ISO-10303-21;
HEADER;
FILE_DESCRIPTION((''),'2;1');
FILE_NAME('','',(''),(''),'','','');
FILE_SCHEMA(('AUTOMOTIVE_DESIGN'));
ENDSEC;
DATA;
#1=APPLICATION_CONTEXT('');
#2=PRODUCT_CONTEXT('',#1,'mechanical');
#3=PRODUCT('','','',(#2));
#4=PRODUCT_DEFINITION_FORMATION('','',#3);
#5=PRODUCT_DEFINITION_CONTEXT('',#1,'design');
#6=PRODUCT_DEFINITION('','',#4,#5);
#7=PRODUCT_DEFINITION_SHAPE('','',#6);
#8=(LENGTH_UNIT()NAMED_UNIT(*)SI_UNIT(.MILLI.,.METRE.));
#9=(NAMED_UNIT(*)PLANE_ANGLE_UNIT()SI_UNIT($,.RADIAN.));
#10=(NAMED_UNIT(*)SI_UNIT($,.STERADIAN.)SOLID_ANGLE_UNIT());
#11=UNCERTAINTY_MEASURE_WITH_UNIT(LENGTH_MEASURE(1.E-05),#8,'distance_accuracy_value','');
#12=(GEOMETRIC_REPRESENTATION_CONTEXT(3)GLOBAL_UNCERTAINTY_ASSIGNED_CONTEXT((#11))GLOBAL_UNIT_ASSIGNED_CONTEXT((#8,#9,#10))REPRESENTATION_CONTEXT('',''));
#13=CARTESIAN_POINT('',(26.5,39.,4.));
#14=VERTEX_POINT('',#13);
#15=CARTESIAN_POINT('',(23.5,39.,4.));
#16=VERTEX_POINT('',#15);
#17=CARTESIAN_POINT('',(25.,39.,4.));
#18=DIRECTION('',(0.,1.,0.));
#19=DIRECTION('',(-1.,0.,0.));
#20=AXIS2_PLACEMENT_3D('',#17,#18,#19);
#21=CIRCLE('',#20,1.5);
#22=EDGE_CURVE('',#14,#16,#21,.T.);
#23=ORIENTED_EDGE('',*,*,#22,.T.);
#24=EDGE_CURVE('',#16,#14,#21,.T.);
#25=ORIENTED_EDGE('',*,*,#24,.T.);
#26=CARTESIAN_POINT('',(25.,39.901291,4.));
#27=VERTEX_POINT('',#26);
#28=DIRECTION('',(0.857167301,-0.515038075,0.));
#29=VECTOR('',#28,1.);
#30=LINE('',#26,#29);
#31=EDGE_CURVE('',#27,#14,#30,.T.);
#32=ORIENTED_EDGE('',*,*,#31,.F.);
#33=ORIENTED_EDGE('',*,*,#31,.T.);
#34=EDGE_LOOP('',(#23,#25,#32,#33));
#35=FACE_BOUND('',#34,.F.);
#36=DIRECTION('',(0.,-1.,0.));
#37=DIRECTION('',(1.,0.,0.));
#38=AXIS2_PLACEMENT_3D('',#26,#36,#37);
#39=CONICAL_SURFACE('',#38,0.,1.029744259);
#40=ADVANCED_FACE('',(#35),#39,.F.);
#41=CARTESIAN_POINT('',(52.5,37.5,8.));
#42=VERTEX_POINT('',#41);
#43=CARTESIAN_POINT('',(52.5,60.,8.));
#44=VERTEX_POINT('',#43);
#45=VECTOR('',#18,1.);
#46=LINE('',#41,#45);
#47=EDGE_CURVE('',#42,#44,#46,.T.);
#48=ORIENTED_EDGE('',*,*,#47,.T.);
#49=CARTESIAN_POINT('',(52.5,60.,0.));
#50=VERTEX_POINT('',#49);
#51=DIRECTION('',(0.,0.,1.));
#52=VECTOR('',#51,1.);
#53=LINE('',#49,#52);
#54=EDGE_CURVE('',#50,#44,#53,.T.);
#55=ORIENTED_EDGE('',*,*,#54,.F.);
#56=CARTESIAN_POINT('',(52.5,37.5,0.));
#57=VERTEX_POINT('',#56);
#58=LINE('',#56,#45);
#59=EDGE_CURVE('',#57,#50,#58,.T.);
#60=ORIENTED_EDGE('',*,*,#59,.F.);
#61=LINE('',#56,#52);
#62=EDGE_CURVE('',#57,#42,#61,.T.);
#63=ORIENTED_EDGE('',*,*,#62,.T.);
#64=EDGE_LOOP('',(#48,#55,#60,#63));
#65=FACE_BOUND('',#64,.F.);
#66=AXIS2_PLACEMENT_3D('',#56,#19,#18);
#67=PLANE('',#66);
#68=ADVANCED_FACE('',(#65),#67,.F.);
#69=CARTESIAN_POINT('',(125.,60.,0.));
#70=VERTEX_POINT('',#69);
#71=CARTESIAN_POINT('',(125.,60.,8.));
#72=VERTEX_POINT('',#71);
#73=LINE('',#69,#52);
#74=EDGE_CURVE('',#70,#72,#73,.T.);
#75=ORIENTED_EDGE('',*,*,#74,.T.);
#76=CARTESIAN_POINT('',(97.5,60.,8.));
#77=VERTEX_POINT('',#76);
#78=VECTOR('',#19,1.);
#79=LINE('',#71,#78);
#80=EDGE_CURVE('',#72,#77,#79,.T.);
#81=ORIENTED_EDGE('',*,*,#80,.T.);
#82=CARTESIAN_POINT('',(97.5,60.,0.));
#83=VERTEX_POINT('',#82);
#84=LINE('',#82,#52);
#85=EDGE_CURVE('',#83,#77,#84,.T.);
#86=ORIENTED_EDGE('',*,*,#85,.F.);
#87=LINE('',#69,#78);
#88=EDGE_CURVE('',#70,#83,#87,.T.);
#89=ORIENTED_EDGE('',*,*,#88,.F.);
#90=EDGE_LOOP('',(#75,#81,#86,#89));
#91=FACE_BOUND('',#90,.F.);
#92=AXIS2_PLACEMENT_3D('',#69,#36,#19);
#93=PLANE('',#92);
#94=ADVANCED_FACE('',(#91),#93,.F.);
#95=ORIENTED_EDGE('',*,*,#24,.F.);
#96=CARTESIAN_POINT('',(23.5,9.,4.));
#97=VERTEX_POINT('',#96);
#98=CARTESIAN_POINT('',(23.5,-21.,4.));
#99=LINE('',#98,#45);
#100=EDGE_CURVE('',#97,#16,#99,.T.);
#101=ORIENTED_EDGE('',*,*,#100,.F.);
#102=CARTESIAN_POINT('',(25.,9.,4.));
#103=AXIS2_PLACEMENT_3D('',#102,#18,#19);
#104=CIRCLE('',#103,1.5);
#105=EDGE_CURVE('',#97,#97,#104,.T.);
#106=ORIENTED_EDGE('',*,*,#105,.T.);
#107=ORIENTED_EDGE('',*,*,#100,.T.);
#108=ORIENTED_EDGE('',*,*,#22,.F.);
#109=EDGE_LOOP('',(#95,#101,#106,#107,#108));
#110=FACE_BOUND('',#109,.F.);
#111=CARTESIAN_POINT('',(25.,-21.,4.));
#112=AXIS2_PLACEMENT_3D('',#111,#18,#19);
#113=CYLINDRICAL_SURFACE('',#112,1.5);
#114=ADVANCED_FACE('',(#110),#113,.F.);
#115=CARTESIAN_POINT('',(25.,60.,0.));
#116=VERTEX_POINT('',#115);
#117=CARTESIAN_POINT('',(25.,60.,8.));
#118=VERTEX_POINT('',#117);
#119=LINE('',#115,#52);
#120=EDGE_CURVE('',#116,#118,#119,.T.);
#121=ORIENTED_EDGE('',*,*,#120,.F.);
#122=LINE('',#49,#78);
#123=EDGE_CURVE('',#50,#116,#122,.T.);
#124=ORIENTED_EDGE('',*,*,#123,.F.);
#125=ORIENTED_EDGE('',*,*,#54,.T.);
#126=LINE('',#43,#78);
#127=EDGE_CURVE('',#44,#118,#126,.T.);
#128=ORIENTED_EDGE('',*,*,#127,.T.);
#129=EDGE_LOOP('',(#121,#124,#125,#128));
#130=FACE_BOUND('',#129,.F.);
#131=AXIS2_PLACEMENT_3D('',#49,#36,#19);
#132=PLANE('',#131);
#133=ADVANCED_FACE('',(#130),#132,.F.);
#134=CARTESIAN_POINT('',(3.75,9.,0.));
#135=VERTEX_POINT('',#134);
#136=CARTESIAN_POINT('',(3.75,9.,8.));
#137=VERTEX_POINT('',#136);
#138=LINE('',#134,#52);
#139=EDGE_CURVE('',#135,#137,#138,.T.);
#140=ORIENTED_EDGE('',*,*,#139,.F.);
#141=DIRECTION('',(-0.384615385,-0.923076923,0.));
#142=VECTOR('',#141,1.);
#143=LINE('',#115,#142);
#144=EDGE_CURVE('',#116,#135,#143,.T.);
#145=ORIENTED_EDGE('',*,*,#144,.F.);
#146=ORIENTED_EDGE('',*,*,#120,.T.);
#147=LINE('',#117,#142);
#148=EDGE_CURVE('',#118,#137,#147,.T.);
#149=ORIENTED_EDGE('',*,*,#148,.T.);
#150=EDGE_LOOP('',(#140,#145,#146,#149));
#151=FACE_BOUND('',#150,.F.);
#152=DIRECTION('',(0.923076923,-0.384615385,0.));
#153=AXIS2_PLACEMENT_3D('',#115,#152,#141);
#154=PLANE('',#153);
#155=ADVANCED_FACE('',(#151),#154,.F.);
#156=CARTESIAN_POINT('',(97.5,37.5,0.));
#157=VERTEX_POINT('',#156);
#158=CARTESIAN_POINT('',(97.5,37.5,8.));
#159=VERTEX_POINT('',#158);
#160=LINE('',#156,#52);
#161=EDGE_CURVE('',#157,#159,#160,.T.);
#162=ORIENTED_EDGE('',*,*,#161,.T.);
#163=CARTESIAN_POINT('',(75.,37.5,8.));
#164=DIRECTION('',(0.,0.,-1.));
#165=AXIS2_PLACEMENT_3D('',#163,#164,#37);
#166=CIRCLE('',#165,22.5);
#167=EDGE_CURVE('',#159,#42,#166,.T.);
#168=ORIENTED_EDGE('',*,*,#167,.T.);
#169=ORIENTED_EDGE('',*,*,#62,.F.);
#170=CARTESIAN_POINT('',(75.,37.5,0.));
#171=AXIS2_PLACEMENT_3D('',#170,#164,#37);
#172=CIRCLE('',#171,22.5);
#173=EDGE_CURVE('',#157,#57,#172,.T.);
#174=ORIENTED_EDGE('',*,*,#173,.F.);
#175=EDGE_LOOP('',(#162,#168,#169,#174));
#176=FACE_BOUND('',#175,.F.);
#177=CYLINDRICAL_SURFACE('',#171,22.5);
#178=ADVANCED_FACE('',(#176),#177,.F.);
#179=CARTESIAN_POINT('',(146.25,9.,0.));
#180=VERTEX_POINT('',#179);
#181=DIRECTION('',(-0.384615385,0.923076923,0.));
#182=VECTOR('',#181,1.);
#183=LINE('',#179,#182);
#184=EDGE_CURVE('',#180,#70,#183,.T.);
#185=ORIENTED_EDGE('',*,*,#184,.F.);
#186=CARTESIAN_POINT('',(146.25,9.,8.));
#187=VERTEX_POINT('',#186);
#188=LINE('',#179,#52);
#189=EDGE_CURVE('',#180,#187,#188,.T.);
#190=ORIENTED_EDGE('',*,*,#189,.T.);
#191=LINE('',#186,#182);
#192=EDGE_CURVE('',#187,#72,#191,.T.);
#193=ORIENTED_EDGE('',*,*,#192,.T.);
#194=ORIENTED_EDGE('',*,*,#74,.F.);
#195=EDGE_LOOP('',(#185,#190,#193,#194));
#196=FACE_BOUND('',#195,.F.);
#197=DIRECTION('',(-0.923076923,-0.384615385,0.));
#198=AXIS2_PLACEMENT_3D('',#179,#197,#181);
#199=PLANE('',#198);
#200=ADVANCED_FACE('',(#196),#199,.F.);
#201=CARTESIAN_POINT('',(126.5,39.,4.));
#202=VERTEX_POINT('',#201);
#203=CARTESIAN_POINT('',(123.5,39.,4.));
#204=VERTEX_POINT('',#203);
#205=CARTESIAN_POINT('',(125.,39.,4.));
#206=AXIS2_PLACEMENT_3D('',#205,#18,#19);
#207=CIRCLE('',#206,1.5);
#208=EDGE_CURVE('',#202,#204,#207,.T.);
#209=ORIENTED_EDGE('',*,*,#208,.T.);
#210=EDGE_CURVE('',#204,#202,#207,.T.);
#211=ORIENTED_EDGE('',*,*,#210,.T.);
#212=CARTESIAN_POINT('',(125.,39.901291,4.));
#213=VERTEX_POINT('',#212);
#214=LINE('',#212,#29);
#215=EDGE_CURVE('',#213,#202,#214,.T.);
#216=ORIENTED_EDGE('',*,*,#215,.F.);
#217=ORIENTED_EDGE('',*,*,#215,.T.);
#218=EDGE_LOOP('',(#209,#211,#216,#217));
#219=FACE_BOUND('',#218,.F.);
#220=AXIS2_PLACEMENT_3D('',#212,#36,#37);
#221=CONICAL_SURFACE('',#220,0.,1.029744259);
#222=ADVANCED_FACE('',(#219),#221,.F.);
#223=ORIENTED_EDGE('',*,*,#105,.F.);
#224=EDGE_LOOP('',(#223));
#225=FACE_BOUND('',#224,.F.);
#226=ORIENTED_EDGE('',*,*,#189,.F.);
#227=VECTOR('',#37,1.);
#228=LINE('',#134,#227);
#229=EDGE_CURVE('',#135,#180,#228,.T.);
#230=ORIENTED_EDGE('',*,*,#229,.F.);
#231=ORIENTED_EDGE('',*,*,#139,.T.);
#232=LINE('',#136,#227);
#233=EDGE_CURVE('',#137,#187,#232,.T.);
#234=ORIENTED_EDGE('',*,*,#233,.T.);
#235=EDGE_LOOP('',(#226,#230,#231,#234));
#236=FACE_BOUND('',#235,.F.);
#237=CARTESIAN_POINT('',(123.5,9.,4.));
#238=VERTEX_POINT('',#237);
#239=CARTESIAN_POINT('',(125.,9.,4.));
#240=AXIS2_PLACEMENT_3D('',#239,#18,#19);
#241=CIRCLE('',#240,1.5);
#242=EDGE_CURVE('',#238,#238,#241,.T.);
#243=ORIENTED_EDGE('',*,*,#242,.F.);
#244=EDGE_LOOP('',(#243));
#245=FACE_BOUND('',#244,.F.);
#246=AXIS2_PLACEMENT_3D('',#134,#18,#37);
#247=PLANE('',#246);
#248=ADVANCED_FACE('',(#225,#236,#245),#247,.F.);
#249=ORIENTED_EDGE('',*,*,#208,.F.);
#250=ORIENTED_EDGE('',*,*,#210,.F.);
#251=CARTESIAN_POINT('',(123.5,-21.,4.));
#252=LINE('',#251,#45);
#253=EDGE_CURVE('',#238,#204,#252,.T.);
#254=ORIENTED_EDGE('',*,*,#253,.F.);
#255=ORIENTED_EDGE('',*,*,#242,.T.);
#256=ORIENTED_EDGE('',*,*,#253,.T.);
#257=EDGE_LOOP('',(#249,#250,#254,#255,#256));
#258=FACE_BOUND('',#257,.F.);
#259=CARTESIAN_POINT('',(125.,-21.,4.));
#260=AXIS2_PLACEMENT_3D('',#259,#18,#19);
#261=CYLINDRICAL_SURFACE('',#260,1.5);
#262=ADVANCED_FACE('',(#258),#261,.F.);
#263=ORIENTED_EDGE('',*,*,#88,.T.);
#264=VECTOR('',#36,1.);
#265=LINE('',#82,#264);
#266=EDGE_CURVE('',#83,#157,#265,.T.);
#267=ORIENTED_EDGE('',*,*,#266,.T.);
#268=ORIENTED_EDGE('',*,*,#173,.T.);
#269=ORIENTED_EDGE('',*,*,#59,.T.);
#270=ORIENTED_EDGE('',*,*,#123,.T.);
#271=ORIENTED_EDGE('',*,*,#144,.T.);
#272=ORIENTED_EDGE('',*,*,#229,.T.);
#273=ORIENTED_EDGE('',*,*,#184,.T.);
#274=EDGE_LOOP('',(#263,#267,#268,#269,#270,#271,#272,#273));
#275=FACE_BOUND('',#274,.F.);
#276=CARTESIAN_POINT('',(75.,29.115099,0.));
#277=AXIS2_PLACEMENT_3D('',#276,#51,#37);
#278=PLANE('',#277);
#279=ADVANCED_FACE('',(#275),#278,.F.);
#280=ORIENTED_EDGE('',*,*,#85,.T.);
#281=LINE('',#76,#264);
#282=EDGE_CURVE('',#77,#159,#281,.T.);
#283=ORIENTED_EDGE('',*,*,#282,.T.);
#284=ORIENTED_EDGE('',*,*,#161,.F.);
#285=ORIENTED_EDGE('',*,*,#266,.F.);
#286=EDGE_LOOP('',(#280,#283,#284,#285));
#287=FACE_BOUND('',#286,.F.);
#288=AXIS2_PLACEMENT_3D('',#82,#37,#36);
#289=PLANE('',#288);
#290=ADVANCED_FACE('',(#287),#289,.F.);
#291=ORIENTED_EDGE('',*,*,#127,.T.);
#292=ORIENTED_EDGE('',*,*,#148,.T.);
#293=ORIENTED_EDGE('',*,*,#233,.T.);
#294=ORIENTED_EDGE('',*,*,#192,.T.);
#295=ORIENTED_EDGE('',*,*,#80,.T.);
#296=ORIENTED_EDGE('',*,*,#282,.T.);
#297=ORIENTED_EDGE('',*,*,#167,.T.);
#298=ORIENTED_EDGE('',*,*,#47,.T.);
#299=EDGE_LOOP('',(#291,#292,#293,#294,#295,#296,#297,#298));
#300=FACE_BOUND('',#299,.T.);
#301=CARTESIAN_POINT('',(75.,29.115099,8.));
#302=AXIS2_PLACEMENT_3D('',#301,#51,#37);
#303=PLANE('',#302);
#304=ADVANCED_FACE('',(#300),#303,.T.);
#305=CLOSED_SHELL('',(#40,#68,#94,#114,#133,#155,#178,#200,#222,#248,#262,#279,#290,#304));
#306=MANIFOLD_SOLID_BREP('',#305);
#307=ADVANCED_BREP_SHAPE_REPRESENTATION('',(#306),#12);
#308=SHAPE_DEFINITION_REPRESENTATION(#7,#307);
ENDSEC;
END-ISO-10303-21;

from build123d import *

# Parameters (mm, degrees)
F1_DEPTH = 8
F3_D     = 3
F3_DEPTH = 30
F3_TIP   = 0.9012909285


with BuildPart() as f1:
    # F0 (on Top) → F1 (new body)
    with BuildSketch(Plane.XY):
        with BuildLine():
            Line((25, 60), (3.75, 9))
            Line((3.75, 9), (146.25, 9))
            Line((146.25, 9), (125, 60))
            Line((125, 60), (97.5, 60))
            Line((97.5, 60), (97.5, 37.5))
            ThreePointArc((97.5, 37.5), (75, 15), (52.5, 37.5))
            Line((52.5, 37.5), (52.5, 60))
            Line((52.5, 60), (25, 60))
        make_face()
    extrude(amount=F1_DEPTH)

    # F3
    with Locations(Plane.XZ.offset(-9)):
        with Locations((25, 4), (125, 4)):
            Hole(F3_D / 2, depth=F3_DEPTH)
            with Locations((0, 0, -(F3_DEPTH + F3_TIP / 2))):  # 118° drill point
                Cone(0, F3_D / 2, F3_TIP, mode=Mode.SUBTRACT)


solid = f1.part
